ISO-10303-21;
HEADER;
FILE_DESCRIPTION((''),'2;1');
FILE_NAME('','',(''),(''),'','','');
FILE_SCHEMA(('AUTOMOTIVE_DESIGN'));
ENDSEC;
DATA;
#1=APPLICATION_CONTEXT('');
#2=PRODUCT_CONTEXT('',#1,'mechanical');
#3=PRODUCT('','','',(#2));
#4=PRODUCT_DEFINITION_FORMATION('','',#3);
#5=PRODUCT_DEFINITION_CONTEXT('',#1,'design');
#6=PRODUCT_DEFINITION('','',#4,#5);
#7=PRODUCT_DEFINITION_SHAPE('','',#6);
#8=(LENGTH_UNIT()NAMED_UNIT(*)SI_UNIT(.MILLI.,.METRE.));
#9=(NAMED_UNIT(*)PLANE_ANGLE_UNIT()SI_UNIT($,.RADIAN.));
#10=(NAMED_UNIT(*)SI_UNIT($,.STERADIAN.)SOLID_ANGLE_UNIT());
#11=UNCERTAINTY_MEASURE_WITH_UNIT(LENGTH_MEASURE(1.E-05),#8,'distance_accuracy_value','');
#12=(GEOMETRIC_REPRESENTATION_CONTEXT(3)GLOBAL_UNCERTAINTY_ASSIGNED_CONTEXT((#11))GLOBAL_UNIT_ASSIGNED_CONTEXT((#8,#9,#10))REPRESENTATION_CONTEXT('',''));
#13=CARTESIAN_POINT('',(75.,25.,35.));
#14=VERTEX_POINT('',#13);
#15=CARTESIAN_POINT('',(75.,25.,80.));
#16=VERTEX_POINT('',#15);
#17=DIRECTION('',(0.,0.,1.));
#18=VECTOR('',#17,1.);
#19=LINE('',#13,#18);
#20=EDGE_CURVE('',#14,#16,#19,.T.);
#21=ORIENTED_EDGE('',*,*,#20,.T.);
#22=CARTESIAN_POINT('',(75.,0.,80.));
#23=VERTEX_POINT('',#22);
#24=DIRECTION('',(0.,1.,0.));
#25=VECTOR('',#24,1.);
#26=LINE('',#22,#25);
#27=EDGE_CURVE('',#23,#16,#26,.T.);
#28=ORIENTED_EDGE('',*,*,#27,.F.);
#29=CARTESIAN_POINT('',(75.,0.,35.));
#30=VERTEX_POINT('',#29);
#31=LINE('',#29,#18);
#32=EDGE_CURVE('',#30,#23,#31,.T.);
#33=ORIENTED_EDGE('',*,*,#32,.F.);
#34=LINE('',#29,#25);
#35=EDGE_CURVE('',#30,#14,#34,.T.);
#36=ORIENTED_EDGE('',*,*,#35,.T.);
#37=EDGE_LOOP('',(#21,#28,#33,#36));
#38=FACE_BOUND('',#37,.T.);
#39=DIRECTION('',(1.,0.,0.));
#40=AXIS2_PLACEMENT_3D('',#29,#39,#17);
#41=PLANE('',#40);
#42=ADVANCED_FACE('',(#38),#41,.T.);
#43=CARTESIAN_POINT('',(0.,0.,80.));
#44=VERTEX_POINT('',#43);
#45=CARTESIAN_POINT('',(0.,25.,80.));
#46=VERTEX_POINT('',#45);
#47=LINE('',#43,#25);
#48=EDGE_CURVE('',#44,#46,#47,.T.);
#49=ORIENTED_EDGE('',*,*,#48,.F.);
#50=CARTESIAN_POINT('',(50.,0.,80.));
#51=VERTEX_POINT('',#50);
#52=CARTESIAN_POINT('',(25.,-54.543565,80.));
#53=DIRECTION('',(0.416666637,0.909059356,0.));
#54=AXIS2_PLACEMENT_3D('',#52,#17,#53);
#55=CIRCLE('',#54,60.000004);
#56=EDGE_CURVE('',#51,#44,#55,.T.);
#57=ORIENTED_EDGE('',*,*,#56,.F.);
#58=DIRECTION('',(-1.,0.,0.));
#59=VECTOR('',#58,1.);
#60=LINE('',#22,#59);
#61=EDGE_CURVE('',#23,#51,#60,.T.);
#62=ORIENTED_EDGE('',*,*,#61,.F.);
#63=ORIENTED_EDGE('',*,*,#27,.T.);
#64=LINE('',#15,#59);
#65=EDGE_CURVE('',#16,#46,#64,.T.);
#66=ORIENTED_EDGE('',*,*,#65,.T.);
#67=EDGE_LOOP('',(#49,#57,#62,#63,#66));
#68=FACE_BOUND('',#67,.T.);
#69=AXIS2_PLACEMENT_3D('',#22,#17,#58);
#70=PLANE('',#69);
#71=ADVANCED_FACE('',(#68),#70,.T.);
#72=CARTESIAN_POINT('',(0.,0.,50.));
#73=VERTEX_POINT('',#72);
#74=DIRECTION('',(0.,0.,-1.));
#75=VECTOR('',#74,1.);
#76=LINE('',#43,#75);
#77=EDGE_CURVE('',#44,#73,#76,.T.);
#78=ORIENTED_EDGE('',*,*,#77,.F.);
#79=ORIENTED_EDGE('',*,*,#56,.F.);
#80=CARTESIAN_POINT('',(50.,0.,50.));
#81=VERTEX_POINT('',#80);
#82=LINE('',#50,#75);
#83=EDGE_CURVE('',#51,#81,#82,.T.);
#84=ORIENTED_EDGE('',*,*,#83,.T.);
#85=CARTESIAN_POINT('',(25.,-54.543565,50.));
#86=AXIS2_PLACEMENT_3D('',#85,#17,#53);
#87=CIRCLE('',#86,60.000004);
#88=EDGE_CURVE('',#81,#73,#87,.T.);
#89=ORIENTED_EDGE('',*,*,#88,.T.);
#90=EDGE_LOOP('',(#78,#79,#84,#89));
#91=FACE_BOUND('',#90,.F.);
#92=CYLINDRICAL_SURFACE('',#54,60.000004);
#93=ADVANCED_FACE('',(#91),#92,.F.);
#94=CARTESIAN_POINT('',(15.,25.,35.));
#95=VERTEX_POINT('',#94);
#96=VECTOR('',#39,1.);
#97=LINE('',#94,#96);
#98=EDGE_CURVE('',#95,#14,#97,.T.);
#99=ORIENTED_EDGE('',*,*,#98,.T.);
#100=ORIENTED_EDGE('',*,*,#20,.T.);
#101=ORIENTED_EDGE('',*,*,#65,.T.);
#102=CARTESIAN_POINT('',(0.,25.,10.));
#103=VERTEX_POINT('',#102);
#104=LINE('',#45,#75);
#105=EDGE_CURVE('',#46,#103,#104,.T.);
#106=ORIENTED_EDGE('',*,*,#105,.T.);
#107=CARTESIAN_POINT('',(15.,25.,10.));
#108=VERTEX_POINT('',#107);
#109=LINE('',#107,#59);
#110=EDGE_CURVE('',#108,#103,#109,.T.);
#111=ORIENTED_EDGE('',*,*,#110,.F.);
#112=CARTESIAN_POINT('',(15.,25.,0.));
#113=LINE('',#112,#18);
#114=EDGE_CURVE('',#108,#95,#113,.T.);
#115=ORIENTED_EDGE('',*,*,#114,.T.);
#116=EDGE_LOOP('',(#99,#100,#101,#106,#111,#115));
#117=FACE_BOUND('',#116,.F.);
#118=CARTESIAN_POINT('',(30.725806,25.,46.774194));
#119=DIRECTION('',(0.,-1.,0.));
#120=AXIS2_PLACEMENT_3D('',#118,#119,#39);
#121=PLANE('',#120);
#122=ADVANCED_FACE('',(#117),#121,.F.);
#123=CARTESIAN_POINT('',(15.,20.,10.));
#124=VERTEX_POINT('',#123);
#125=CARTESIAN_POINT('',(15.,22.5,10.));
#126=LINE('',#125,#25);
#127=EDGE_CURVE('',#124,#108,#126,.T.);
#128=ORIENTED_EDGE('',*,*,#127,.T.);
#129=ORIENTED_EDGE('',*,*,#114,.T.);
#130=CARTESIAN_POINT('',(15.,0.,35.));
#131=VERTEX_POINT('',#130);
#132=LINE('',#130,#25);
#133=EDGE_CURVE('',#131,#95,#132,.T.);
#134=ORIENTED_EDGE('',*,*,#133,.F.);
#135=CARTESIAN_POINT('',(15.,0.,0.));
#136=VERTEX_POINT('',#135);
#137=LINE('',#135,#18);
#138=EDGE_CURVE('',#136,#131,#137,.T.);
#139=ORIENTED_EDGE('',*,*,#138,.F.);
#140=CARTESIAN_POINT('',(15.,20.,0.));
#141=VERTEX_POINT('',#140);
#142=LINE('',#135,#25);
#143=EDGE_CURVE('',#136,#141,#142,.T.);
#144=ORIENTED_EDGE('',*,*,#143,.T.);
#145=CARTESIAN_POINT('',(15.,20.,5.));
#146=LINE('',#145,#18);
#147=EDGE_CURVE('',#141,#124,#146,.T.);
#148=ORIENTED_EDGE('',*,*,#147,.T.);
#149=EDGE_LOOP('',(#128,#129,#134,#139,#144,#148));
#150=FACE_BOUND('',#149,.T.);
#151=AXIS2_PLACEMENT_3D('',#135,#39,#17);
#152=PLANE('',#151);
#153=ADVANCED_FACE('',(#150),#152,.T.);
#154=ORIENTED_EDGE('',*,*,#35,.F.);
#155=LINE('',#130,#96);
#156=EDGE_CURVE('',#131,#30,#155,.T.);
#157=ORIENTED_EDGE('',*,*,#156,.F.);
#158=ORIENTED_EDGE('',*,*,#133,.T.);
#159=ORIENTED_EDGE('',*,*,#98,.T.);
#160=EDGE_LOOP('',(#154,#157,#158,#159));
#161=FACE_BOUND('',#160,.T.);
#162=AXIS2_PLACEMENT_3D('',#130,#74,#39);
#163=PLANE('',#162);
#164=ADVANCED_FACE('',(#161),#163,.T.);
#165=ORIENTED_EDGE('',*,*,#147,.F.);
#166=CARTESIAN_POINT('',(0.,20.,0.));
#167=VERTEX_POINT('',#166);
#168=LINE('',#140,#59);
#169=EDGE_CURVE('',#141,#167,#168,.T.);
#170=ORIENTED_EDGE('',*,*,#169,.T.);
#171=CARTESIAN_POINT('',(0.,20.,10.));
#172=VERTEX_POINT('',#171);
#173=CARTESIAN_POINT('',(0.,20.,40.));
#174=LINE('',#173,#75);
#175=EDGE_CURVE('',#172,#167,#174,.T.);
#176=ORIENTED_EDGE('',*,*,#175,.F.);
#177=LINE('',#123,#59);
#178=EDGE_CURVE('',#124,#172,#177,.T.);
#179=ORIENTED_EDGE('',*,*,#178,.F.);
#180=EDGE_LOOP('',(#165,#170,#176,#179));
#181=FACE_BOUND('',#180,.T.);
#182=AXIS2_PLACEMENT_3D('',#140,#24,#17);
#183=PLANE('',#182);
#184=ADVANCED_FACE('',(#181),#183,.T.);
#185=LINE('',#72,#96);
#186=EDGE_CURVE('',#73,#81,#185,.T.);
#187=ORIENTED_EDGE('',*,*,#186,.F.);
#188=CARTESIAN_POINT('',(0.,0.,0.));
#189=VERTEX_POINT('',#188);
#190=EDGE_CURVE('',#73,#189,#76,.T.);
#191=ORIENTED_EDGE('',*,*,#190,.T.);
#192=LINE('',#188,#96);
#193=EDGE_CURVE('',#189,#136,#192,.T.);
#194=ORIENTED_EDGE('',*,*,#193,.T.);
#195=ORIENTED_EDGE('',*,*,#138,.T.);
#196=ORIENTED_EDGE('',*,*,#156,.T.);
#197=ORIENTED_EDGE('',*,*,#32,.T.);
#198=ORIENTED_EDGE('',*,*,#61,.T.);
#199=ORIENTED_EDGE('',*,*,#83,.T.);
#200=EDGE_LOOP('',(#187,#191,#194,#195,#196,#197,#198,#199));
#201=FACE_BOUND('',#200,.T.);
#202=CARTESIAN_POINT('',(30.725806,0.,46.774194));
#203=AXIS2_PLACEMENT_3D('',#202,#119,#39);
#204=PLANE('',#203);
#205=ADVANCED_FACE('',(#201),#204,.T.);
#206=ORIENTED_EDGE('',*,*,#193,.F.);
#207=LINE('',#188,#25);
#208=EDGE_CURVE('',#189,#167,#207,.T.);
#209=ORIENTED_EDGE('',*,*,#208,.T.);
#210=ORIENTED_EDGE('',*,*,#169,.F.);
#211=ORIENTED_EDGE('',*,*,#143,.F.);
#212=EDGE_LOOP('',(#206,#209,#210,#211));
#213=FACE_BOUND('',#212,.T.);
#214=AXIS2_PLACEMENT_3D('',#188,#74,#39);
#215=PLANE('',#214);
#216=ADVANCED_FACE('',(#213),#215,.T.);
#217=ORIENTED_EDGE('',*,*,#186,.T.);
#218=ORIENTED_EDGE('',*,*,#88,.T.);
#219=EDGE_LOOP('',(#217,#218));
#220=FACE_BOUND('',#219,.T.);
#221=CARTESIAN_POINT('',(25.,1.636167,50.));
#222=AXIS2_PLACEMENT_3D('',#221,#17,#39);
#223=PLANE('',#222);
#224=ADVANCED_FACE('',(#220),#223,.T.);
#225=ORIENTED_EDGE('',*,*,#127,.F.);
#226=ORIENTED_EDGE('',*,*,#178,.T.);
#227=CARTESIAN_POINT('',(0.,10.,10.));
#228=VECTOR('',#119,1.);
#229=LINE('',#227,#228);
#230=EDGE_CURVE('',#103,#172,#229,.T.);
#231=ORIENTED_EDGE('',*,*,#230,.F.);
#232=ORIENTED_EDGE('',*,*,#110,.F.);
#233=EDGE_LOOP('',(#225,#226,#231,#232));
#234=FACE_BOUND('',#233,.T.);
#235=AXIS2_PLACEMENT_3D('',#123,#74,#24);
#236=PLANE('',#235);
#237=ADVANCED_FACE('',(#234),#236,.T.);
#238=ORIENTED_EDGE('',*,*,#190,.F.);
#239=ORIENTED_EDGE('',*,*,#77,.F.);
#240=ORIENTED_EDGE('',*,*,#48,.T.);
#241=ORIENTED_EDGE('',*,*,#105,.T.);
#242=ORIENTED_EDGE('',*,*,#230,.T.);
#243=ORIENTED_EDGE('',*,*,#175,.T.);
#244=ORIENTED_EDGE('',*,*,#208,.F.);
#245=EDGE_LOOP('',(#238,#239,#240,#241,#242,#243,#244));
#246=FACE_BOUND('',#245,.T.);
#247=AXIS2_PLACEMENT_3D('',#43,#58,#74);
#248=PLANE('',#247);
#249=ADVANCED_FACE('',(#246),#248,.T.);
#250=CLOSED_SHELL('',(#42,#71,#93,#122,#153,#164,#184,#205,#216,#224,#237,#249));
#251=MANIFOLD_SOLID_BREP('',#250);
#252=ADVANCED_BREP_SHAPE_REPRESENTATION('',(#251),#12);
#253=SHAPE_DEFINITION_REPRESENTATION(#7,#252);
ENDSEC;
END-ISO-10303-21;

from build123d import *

# Parameters (mm, degrees)
F1_DEPTH = 25
F3_DEPTH = 30
F4_W     = 5
F4_H     = 10
F5_DEPTH = 15.001


with BuildPart() as f1:
    # F0 (on Front) → F1 (new body)
    with BuildSketch(Plane.XZ):
        Polygon((0, 80), (0, 0), (15, 0), (15, 35), (75, 35), (75, 80), align=None)
    extrude(amount=-F1_DEPTH)

    # F2 (on face) → F3 (cut)
    with BuildSketch(Plane.XY.offset(80)):
        with BuildLine():
            ThreePointArc((50, 0), (25, 5.456439), (0, 0))
            Line((0, 0), (50, 0))
        make_face()
    extrude(amount=-F3_DEPTH, mode=Mode.SUBTRACT)

    # F4 (on face) → F5 (cut, through all)
    with BuildSketch(Plane.YZ.offset(15)):
        with Locations((22.5, 5)):
            Rectangle(F4_W, F4_H)
    extrude(amount=-F5_DEPTH, mode=Mode.SUBTRACT)


solid = f1.part
